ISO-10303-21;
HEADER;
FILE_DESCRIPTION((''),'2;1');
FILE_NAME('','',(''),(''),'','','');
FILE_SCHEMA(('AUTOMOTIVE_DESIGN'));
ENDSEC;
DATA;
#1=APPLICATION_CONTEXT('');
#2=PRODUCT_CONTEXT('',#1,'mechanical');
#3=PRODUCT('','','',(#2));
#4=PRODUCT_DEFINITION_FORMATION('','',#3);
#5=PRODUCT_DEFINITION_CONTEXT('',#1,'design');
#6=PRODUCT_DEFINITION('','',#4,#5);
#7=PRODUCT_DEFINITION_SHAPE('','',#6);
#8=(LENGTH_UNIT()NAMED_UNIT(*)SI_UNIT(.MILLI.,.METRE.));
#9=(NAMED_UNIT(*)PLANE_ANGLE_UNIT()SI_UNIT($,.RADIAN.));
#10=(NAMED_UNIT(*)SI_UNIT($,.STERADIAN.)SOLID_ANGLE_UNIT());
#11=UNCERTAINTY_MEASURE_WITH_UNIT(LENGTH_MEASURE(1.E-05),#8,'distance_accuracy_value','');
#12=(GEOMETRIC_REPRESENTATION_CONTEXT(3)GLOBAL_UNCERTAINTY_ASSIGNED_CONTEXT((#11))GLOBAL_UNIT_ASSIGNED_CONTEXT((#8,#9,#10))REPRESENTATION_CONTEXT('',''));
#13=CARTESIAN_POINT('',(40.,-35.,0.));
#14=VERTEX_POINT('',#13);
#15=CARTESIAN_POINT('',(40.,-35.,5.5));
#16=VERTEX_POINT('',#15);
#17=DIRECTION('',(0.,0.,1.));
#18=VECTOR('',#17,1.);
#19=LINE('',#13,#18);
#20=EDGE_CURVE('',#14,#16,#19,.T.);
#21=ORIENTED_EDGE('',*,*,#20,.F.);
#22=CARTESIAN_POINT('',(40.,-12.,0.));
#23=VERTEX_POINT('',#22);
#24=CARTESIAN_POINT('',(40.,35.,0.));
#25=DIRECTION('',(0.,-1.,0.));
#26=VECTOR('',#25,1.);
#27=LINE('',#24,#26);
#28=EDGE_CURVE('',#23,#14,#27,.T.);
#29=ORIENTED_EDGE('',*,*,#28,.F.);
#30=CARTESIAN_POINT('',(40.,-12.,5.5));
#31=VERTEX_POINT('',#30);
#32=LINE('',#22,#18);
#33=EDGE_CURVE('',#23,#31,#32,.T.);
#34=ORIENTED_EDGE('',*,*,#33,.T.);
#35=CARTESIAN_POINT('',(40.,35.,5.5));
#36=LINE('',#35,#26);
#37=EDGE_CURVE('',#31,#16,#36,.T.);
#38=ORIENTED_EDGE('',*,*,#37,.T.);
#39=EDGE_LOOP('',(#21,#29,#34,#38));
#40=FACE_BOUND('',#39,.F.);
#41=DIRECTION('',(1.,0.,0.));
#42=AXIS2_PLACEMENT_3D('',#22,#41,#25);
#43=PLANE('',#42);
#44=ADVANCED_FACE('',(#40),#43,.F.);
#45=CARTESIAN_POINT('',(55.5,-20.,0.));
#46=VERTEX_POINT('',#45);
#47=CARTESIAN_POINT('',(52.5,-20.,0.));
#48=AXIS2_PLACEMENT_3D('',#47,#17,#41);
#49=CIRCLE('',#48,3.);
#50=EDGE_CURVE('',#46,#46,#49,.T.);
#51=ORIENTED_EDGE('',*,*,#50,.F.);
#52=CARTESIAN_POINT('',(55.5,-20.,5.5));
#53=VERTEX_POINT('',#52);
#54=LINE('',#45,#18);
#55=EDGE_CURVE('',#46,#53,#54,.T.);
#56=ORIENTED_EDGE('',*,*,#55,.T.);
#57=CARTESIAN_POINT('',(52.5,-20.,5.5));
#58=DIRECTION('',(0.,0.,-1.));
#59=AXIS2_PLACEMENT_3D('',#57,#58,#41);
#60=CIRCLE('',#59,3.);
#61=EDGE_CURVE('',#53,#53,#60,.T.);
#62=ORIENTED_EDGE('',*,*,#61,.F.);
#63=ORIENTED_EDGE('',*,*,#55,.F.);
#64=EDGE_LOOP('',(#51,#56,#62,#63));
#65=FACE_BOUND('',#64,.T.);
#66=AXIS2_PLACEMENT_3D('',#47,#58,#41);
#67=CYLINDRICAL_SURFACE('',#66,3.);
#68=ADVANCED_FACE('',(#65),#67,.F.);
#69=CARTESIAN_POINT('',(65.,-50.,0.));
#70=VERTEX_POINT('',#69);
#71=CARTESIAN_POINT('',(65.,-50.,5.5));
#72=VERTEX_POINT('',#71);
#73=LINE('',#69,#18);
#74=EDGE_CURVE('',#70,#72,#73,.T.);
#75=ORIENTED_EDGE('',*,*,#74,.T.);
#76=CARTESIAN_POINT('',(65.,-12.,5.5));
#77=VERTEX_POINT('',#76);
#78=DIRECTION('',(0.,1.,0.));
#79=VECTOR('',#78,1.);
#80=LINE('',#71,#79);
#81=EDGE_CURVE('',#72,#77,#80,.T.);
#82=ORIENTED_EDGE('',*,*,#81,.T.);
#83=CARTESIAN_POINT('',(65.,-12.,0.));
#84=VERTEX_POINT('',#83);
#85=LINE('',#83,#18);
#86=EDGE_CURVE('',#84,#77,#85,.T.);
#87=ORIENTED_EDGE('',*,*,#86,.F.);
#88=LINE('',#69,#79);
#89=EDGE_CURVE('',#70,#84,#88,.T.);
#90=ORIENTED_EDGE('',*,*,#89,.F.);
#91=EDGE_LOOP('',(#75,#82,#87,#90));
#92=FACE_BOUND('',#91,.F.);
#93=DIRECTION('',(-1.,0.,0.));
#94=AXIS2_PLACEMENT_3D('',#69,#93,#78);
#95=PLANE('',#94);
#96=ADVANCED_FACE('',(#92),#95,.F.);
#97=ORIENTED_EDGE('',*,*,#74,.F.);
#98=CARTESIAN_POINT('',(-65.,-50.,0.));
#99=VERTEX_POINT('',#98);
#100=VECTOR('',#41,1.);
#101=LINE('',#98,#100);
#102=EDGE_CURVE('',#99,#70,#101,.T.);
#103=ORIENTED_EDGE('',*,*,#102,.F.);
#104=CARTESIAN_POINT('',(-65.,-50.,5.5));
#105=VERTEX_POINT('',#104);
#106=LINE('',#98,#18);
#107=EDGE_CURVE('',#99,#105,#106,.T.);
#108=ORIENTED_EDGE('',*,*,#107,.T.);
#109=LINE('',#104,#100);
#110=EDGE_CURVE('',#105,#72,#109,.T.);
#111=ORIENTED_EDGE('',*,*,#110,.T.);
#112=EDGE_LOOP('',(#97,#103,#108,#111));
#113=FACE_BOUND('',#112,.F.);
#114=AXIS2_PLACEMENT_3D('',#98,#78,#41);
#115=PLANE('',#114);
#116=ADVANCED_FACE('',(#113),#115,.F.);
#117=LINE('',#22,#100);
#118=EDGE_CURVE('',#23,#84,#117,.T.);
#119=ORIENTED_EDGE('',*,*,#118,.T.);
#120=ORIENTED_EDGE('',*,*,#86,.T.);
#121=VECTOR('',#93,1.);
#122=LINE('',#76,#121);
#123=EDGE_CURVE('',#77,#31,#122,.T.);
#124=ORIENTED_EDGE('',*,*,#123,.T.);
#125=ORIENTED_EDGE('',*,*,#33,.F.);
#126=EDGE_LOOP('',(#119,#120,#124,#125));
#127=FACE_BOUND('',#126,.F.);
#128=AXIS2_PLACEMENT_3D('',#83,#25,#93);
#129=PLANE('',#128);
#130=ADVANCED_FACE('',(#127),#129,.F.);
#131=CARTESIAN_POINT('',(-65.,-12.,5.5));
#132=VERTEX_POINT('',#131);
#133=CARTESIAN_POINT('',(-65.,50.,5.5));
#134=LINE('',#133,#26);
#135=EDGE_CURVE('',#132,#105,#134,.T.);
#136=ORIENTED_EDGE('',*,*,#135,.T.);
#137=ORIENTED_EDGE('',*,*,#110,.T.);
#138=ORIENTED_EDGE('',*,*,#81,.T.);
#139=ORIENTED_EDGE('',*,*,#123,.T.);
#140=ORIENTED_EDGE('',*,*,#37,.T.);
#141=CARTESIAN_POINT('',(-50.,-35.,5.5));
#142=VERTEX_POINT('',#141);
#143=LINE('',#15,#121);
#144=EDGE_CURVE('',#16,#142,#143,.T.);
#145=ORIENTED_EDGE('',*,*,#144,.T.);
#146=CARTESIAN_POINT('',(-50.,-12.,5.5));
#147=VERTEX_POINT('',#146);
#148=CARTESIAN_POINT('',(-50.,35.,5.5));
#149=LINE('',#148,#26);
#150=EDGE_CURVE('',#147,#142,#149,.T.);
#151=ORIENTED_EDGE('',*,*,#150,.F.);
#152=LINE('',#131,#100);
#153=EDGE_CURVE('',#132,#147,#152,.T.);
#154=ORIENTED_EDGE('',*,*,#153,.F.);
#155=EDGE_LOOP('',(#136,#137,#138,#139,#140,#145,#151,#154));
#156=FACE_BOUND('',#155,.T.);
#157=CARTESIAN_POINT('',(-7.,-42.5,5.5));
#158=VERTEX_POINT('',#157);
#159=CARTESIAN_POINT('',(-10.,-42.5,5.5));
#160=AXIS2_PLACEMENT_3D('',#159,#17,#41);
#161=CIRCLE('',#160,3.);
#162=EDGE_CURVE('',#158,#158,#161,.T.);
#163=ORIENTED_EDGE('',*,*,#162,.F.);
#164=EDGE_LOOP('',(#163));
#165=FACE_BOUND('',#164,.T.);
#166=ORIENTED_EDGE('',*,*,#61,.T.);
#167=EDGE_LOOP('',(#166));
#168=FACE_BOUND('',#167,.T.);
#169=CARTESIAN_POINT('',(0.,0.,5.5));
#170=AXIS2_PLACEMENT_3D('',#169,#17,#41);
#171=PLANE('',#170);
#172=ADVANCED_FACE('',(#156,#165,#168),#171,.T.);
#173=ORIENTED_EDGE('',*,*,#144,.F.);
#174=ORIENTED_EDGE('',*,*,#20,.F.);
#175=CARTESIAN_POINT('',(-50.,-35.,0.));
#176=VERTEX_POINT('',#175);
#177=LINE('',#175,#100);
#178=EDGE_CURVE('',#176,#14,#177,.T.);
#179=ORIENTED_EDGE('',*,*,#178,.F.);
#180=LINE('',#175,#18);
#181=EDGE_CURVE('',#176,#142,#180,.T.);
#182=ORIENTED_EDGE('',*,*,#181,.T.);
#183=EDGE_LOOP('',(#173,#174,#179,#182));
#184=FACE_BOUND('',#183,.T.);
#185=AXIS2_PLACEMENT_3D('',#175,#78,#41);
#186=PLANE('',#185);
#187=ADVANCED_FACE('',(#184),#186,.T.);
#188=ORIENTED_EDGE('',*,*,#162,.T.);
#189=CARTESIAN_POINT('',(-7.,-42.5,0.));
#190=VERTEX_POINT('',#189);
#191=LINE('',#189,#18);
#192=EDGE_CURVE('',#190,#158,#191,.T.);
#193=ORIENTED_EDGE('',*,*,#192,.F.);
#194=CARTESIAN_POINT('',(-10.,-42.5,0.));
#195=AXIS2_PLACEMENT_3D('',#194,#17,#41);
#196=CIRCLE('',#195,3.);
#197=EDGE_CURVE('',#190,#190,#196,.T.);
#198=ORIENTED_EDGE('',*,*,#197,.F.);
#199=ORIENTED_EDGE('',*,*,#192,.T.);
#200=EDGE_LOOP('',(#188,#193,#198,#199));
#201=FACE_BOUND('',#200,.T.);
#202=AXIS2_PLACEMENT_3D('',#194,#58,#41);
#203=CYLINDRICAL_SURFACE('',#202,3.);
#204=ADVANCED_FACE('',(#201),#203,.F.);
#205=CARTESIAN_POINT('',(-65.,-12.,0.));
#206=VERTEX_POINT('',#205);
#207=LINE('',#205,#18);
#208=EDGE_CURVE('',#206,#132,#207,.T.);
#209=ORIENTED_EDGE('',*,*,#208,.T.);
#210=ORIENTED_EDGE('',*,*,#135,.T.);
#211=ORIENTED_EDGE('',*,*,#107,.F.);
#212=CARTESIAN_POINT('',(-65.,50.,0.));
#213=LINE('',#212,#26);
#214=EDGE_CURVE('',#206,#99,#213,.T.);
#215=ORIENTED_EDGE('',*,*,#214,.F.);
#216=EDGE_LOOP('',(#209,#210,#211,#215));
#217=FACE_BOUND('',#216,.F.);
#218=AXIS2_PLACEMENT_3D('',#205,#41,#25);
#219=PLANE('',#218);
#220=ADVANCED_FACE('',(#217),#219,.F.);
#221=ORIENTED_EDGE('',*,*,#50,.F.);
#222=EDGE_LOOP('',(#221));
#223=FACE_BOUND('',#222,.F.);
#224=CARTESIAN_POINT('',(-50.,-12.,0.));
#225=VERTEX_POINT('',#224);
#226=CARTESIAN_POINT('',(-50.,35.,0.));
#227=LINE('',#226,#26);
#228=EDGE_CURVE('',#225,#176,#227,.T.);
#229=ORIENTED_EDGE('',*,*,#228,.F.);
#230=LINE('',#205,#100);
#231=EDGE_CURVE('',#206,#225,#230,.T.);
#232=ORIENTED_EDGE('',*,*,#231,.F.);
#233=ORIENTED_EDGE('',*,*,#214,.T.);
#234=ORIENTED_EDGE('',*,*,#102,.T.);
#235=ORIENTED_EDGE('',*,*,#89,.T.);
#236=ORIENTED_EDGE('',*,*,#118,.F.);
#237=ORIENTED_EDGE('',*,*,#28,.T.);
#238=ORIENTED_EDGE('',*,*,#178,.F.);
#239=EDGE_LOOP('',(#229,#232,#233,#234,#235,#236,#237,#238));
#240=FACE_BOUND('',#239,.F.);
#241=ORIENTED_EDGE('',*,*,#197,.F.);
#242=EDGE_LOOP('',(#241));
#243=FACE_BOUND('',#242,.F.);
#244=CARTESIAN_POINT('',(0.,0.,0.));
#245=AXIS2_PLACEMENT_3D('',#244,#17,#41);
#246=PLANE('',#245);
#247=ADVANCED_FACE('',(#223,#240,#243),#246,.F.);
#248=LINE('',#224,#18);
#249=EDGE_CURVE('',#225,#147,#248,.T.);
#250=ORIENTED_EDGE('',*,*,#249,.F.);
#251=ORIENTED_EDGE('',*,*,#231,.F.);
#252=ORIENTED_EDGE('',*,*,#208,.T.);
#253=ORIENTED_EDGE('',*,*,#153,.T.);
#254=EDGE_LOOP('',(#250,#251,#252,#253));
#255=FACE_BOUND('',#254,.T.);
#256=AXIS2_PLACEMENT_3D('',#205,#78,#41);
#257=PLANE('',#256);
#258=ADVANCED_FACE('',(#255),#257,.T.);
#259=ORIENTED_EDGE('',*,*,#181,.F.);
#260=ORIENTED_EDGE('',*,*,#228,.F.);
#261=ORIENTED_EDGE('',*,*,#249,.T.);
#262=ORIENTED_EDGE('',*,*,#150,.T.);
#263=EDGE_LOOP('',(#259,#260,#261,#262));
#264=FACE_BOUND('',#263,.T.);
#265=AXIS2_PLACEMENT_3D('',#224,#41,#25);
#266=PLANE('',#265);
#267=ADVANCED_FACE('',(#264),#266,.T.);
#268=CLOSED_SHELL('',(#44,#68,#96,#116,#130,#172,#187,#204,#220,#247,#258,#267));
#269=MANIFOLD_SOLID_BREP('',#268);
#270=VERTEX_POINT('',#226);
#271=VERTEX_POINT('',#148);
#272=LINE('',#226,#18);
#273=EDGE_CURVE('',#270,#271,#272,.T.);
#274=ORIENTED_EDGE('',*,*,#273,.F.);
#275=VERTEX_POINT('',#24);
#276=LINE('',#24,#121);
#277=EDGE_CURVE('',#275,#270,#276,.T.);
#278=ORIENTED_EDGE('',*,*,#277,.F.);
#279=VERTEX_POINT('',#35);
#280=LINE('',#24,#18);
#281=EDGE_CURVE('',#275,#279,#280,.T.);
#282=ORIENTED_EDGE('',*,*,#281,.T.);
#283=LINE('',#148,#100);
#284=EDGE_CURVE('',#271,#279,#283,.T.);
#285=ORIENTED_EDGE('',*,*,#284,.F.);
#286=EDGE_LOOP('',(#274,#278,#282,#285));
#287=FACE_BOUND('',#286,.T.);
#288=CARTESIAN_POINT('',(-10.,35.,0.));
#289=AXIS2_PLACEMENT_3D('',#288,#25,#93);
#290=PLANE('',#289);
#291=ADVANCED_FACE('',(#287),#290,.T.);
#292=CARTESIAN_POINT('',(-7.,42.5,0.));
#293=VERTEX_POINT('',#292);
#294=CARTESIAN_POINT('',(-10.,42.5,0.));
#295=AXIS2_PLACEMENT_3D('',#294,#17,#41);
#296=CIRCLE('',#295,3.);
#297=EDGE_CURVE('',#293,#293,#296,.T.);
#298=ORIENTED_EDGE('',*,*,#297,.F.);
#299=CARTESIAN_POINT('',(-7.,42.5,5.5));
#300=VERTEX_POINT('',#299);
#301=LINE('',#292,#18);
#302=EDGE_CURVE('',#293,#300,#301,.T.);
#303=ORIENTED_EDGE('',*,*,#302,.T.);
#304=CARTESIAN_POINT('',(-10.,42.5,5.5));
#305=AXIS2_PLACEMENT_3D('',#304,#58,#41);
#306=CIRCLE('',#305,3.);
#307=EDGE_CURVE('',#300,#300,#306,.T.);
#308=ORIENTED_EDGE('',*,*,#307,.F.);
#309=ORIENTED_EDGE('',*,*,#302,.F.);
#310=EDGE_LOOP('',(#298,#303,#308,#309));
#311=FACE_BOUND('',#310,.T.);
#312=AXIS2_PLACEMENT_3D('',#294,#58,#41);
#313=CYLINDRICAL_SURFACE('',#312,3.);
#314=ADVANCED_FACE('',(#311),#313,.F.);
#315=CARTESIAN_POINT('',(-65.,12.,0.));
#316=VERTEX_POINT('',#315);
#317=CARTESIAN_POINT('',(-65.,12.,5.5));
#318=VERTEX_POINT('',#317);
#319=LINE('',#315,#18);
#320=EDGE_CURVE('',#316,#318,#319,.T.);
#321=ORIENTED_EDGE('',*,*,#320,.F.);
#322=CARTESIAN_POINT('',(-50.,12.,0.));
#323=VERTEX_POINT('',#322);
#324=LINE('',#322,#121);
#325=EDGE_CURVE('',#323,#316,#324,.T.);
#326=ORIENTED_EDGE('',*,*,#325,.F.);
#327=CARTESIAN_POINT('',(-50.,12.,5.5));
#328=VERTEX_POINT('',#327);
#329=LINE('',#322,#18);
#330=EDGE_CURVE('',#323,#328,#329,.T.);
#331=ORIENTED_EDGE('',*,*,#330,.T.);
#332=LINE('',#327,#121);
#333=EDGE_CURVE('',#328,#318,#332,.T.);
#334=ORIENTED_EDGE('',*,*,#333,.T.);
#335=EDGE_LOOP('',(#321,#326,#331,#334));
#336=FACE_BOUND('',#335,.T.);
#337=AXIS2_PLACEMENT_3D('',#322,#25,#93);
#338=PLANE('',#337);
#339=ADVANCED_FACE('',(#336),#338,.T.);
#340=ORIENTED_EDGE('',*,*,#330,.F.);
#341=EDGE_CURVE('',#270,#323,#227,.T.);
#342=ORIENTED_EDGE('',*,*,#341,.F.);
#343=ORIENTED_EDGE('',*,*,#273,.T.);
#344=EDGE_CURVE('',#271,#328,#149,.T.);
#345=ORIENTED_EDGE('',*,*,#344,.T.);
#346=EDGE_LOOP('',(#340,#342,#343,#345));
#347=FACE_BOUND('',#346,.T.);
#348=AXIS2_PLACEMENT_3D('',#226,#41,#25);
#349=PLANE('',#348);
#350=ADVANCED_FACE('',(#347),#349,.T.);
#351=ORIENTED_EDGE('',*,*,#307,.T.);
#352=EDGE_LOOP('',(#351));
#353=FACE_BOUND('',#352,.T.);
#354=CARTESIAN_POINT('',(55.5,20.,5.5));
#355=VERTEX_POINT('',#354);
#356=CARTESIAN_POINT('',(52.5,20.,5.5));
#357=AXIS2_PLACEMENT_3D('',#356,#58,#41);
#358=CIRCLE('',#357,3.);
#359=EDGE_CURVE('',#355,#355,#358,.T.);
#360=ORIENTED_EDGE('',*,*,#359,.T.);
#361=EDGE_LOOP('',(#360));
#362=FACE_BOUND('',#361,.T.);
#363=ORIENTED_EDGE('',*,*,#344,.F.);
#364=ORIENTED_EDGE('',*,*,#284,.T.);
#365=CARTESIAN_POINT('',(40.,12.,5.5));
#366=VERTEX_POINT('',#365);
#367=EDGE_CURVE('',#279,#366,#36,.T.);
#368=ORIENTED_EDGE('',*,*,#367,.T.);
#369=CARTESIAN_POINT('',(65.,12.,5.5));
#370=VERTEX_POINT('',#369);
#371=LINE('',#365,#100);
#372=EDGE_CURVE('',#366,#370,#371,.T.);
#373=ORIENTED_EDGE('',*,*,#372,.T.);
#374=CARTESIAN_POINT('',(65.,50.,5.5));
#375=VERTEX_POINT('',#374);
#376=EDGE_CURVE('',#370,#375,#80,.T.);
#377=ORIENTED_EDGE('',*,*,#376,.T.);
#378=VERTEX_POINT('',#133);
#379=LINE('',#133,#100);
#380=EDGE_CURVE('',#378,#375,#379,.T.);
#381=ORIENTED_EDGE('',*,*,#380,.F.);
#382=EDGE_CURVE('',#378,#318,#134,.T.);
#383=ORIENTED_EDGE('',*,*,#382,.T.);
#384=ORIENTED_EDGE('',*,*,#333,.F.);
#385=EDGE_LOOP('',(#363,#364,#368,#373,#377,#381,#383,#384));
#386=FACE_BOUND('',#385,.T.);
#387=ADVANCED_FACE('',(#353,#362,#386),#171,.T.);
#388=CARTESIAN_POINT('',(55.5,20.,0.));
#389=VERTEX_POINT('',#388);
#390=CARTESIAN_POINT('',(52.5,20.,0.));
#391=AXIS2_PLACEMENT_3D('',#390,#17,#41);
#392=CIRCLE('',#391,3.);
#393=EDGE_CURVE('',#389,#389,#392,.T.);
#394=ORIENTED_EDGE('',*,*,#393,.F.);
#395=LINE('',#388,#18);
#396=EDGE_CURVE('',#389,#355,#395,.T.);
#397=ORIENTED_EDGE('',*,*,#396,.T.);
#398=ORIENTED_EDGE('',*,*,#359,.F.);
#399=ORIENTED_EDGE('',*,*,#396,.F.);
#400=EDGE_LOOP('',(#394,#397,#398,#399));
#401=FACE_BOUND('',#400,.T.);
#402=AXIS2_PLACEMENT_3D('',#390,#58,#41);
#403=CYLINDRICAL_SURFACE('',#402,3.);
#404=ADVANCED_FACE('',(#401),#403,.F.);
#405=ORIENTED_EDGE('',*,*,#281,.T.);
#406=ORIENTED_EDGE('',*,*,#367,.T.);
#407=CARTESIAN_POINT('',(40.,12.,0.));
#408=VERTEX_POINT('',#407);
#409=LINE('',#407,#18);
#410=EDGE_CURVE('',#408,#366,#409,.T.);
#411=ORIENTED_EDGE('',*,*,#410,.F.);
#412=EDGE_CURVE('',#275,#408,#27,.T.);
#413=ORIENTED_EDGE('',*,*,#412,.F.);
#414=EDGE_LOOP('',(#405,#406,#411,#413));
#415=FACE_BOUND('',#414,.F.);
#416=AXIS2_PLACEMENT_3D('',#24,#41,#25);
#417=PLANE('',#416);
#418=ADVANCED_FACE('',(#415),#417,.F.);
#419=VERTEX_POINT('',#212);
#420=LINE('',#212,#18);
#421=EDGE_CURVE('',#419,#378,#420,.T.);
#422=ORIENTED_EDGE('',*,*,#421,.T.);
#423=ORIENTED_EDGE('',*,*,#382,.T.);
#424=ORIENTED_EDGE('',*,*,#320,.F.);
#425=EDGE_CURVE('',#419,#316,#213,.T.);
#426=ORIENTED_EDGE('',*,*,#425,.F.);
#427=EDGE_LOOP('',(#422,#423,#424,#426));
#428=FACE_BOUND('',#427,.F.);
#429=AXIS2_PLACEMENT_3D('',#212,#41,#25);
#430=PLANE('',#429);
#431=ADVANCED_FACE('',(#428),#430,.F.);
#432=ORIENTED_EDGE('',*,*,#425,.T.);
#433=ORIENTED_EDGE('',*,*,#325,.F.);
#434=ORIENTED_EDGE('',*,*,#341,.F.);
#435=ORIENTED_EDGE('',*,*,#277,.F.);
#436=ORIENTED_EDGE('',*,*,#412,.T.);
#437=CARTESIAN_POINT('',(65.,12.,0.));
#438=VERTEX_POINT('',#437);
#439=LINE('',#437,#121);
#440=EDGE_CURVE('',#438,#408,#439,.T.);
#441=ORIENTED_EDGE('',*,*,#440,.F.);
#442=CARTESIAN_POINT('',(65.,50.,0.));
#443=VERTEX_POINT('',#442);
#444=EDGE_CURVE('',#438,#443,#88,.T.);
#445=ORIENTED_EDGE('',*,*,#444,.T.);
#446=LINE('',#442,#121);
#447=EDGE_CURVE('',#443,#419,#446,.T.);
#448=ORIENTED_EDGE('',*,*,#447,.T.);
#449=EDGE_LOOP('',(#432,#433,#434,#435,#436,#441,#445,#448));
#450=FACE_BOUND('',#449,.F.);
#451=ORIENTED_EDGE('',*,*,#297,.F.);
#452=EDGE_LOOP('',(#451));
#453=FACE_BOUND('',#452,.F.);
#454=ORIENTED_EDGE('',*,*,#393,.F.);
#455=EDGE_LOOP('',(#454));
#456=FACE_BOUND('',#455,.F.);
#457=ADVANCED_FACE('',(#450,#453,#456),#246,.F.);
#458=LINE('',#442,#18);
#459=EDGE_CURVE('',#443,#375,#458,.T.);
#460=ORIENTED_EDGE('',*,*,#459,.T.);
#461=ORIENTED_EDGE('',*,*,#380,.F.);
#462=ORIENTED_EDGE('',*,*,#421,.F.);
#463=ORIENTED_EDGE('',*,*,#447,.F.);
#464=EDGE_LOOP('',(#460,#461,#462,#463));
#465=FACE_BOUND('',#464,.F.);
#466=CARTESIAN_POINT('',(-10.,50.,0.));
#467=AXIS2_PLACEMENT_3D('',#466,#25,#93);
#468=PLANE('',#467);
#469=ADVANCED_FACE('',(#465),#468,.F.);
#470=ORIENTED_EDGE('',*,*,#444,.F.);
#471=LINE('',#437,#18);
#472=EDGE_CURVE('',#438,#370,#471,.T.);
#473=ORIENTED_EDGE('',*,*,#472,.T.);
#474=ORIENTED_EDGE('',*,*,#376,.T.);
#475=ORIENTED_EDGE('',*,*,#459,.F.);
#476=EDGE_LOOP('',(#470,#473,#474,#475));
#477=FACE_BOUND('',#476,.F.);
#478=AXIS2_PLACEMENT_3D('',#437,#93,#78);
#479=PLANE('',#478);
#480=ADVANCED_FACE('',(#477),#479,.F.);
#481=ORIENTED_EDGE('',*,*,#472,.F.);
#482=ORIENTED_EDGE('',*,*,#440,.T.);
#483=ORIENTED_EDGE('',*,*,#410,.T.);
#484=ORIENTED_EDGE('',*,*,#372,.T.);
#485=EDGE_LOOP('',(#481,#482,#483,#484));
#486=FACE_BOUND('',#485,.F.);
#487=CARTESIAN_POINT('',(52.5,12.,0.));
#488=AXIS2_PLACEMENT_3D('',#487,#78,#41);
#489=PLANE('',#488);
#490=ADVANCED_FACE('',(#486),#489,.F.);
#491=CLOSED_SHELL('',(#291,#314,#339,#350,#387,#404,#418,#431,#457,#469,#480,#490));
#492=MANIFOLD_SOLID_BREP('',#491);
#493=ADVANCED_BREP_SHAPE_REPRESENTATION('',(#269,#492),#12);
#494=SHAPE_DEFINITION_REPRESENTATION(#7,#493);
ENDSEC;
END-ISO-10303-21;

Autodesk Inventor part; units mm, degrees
ref_plane "YZ Plane" through (0, 0, 0) normal (1, 0, 0) x (0, 1, 0)
ref_plane "XZ Plane" through (0, 0, 0) normal (0, 1, 0) x (-1, 0, 0)
ref_plane "XY Plane" through (0, 0, 0) normal (0, 0, 1) x (1, 0, 0)
sketch "Boceto1" plane through (0, 0, 0) normal (0, 0, 1) x (1, 0, 0)
  line L0 (-65, -50) -> (65, -50)
  line L1 (65, -50) -> (65, 50)
  line L2 (65, 50) -> (-65, 50)
  line L3 (-65, 50) -> (-65, -50)
  line L4 (-65, -50) -> (65, 50) construction
  line L5 (65, -50) -> (-65, 50) construction
  line L6 (-50, -35) -> (50, -35)
  line L7 (50, -35) -> (50, 35)
  line L8 (50, 35) -> (-50, 35)
  line L9 (-50, 35) -> (-50, -35)
  line L10 (-50, -35) -> (50, 35) construction
  line L11 (50, -35) -> (-50, 35) construction
  line L12 (0, 0) -> (-20, 0)
  line L13 (-20, 0) -> (-20, 35)
  line L14 (-50, 35) -> (50, 35)
  line L15 (-20, 0) -> (0, 0)
  line L16 (0, 0) -> (0, 35)
  line L17 (0, 35) -> (-20, 35)
  line L18 (-20, 35) -> (-20, 0)
  line L19 (50, -35) -> (-50, -35)
  line L20 (-20, 0) -> (0, 0)
  line L21 (0, 0) -> (0, -35)
  line L22 (0, -35) -> (-20, -35)
  line L23 (-20, -35) -> (-20, 0)
  line L24 (50, 35) -> (40, 35)
  line L25 (40, 35) -> (40, -35)
  line L26 (50, 35) -> (50, -35)
  line L27 (50, -35) -> (50, 35)
  line L28 (50, -35) -> (40, -35)
  line L29 (0, 0) -> (-20, 0)
  line L30 (-20, 35) -> (-20, -35)
  line L31 (-10, 0) -> (-10, 50)
  line L32 (65, 50) -> (-65, 50)
  line L33 (0, 35) -> (-10, 35)
  line L34 (-10, 35) -> (-10, 50)
  line L35 (-10, 50) -> (-10, 42.5)
  line L36 (-10, 0) -> (65, 0)
  line L37 (65, -50) -> (65, 50)
  line L38 (40, 35) -> (40, -35)
  line L39 (40, 0) -> (65, 0)
  line L40 (52.5, 0) -> (52.5, 20)
  circle A0 centre (-10, 42.5) radius 3
  circle A1 centre (52.5, 20) radius 3
  circle A2 centre (-10, -42.5) radius 3
  circle A3 centre (52.5, -20) radius 3
  line L41 (-50, 0) -> (-50, 12)
  line L42 (-50, 12) -> (-65, 12)
  line L43 (-65, 12) -> (-65, -12)
  line L44 (-65, -12) -> (-50, -12)
  line L45 (-50, 0) -> (-50, -12)
  line L46 (40, 0) -> (40, 12)
  line L47 (40, 12) -> (65, 12)
  line L48 (65, 12) -> (65, -12)
  line L49 (65, -12) -> (40, -12)
  point P0 (50, 12)
  point P1 (50, 18.3417)
  point P2 (52.5, 17)
  point P3 (52.5, 12)
  dimension "d0" = 130
  dimension "d2" = 100
  dimension "d4" = 20
  dimension "d7" = 6
  dimension "d9" = 12
  dimension "d10" = 24
  dimension "d11" = 12
  dimension "d12" = 24
extrude "Extrusión1" add sketch "Boceto1" along normal blind 5.5 contours L3 L44 L9 L6 L7 A3 L49 L1 L0 | L3 L2 L31 A0 L8 L9 L42 | L7 A3 L6 L25 L49 | L47 L40 A1 L7 L8 L31 A0 L2 L1 | L47 L7 A1 L40 | L47 L25 L8 L7 A1
properties part number "BASE_MID"
